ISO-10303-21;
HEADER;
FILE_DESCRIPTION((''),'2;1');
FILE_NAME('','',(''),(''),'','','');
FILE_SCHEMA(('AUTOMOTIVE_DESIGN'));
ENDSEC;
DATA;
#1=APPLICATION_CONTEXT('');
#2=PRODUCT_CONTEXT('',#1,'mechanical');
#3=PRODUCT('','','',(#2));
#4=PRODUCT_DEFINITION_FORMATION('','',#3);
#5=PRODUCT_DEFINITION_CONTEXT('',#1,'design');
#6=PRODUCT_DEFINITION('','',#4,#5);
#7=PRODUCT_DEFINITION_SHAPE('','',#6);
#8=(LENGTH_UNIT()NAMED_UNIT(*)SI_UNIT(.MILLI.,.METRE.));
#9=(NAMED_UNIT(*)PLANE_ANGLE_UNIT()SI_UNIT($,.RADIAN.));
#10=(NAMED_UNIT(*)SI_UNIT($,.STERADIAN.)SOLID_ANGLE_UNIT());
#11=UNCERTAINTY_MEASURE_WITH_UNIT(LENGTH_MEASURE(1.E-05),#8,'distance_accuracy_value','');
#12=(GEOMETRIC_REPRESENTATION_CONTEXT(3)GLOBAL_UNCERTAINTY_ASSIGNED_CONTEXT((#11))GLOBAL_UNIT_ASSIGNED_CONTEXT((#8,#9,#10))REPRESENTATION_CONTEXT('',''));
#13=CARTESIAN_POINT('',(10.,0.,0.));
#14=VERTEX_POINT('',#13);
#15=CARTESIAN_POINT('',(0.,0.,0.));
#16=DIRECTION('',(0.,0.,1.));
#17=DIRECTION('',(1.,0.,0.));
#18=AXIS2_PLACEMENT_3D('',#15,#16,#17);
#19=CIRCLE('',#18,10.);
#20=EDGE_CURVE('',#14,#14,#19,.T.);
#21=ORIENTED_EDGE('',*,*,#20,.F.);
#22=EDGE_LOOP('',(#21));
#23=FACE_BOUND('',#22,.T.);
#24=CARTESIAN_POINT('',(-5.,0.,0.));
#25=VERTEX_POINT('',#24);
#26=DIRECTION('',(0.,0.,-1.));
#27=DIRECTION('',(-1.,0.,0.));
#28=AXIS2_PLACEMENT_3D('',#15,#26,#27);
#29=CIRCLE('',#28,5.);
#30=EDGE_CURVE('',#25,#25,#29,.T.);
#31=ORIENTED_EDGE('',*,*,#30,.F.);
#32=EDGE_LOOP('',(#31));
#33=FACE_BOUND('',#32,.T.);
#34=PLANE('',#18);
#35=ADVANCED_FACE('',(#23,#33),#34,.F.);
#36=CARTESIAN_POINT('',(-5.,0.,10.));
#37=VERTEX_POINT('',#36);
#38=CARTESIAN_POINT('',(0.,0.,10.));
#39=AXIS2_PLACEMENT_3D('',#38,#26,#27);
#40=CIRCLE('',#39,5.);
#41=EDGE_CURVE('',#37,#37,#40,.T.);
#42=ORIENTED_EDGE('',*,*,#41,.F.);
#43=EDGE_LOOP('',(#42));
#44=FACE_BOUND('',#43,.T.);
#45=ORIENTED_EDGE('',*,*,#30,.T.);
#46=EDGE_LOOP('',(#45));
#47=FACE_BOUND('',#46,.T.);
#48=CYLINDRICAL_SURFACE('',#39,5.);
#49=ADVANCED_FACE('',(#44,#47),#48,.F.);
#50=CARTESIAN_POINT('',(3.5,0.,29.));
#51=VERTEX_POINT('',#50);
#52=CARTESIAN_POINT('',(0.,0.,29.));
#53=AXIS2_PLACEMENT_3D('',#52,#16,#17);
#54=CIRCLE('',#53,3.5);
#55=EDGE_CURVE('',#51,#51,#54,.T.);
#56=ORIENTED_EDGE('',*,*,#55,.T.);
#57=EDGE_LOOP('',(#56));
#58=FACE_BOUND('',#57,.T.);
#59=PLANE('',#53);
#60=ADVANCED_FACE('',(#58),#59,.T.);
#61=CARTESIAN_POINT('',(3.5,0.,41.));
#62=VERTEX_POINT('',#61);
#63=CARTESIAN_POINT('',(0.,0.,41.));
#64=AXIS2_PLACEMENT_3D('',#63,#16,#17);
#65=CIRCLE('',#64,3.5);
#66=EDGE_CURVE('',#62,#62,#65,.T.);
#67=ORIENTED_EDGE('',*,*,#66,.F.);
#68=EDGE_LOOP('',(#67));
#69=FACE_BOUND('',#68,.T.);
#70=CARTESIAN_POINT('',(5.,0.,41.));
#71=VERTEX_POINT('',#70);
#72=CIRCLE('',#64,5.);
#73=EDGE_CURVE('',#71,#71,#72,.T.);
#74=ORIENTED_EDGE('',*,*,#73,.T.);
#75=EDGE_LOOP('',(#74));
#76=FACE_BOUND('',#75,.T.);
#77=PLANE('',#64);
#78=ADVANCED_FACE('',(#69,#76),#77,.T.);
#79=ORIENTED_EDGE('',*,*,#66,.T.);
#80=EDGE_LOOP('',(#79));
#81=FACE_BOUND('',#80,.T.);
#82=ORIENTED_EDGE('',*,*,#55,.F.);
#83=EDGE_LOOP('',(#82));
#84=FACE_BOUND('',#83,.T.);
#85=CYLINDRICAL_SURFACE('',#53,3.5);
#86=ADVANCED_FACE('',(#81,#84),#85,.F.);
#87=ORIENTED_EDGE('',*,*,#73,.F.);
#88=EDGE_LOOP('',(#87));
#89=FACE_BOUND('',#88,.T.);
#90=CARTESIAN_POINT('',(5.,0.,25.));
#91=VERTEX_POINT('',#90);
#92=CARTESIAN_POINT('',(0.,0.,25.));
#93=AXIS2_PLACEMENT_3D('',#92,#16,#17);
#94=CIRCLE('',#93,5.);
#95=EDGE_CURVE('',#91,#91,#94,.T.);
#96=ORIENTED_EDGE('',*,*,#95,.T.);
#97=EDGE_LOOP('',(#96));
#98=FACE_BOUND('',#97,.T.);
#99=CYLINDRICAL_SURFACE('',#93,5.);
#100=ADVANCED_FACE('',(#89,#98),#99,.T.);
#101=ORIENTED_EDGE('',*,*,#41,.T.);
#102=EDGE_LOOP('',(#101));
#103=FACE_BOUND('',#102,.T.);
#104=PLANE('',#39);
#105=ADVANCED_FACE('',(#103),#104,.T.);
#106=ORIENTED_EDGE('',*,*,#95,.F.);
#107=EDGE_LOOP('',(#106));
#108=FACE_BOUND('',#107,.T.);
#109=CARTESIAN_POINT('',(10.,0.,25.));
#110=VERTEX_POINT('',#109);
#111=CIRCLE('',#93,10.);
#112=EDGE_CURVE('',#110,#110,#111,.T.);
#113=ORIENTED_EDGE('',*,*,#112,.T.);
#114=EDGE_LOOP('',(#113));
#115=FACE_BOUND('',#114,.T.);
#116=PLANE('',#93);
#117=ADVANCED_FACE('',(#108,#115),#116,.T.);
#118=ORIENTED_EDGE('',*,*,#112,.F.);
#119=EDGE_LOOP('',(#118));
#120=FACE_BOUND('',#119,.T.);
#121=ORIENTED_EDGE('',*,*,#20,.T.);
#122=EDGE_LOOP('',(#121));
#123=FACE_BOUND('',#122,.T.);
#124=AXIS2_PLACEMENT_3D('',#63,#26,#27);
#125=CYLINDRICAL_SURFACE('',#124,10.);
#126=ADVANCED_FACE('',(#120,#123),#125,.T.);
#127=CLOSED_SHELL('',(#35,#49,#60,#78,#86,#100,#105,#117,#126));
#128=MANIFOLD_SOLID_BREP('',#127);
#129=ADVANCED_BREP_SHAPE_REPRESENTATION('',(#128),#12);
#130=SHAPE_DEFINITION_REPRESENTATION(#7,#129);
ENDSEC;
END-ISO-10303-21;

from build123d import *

# Parameters (mm, degrees)
SKETCH1_R           = 10
BOSS_EXTRUDE1_DEPTH = 41
SKETCH2_R           = 5
CUT_EXTRUDE1_DEPTH  = 10
SKETCH3_OUTSIDE_W   = 31.962
SKETCH3_OUTSIDE_H   = 31.962
SKETCH3_OUTSIDE_R   = 5
CUT_EXTRUDE2_DEPTH  = 16
SKETCH4_R           = 3.5
CUT_EXTRUDE3_DEPTH  = 12


with BuildPart() as part:
    # Sketch1 → Boss-Extrude1 (new body)
    with BuildSketch(Plane.XY):
        Circle(SKETCH1_R)
    extrude(amount=BOSS_EXTRUDE1_DEPTH)

    # Sketch2 → Cut-Extrude1 (cut)
    with BuildSketch(Plane(origin=(0, 0, 0), x_dir=(-1, 0, 0), z_dir=(0, 0, -1))):
        Circle(SKETCH2_R)
    extrude(amount=-CUT_EXTRUDE1_DEPTH, mode=Mode.SUBTRACT)

    # Sketch3 outside → Cut-Extrude2 (cut)
    with BuildSketch(Plane.XY.offset(41)):
        Rectangle(SKETCH3_OUTSIDE_W, SKETCH3_OUTSIDE_H)
        with Locations(Location((0, 0, 0), (0, 0, 180))):
            Circle(SKETCH3_OUTSIDE_R, mode=Mode.SUBTRACT)
    extrude(amount=-CUT_EXTRUDE2_DEPTH, mode=Mode.SUBTRACT)

    # Sketch4 → Cut-Extrude3 (cut)
    with BuildSketch(Plane.XY.offset(41)):
        Circle(SKETCH4_R)
    extrude(amount=-CUT_EXTRUDE3_DEPTH, mode=Mode.SUBTRACT)


solid = part.part
